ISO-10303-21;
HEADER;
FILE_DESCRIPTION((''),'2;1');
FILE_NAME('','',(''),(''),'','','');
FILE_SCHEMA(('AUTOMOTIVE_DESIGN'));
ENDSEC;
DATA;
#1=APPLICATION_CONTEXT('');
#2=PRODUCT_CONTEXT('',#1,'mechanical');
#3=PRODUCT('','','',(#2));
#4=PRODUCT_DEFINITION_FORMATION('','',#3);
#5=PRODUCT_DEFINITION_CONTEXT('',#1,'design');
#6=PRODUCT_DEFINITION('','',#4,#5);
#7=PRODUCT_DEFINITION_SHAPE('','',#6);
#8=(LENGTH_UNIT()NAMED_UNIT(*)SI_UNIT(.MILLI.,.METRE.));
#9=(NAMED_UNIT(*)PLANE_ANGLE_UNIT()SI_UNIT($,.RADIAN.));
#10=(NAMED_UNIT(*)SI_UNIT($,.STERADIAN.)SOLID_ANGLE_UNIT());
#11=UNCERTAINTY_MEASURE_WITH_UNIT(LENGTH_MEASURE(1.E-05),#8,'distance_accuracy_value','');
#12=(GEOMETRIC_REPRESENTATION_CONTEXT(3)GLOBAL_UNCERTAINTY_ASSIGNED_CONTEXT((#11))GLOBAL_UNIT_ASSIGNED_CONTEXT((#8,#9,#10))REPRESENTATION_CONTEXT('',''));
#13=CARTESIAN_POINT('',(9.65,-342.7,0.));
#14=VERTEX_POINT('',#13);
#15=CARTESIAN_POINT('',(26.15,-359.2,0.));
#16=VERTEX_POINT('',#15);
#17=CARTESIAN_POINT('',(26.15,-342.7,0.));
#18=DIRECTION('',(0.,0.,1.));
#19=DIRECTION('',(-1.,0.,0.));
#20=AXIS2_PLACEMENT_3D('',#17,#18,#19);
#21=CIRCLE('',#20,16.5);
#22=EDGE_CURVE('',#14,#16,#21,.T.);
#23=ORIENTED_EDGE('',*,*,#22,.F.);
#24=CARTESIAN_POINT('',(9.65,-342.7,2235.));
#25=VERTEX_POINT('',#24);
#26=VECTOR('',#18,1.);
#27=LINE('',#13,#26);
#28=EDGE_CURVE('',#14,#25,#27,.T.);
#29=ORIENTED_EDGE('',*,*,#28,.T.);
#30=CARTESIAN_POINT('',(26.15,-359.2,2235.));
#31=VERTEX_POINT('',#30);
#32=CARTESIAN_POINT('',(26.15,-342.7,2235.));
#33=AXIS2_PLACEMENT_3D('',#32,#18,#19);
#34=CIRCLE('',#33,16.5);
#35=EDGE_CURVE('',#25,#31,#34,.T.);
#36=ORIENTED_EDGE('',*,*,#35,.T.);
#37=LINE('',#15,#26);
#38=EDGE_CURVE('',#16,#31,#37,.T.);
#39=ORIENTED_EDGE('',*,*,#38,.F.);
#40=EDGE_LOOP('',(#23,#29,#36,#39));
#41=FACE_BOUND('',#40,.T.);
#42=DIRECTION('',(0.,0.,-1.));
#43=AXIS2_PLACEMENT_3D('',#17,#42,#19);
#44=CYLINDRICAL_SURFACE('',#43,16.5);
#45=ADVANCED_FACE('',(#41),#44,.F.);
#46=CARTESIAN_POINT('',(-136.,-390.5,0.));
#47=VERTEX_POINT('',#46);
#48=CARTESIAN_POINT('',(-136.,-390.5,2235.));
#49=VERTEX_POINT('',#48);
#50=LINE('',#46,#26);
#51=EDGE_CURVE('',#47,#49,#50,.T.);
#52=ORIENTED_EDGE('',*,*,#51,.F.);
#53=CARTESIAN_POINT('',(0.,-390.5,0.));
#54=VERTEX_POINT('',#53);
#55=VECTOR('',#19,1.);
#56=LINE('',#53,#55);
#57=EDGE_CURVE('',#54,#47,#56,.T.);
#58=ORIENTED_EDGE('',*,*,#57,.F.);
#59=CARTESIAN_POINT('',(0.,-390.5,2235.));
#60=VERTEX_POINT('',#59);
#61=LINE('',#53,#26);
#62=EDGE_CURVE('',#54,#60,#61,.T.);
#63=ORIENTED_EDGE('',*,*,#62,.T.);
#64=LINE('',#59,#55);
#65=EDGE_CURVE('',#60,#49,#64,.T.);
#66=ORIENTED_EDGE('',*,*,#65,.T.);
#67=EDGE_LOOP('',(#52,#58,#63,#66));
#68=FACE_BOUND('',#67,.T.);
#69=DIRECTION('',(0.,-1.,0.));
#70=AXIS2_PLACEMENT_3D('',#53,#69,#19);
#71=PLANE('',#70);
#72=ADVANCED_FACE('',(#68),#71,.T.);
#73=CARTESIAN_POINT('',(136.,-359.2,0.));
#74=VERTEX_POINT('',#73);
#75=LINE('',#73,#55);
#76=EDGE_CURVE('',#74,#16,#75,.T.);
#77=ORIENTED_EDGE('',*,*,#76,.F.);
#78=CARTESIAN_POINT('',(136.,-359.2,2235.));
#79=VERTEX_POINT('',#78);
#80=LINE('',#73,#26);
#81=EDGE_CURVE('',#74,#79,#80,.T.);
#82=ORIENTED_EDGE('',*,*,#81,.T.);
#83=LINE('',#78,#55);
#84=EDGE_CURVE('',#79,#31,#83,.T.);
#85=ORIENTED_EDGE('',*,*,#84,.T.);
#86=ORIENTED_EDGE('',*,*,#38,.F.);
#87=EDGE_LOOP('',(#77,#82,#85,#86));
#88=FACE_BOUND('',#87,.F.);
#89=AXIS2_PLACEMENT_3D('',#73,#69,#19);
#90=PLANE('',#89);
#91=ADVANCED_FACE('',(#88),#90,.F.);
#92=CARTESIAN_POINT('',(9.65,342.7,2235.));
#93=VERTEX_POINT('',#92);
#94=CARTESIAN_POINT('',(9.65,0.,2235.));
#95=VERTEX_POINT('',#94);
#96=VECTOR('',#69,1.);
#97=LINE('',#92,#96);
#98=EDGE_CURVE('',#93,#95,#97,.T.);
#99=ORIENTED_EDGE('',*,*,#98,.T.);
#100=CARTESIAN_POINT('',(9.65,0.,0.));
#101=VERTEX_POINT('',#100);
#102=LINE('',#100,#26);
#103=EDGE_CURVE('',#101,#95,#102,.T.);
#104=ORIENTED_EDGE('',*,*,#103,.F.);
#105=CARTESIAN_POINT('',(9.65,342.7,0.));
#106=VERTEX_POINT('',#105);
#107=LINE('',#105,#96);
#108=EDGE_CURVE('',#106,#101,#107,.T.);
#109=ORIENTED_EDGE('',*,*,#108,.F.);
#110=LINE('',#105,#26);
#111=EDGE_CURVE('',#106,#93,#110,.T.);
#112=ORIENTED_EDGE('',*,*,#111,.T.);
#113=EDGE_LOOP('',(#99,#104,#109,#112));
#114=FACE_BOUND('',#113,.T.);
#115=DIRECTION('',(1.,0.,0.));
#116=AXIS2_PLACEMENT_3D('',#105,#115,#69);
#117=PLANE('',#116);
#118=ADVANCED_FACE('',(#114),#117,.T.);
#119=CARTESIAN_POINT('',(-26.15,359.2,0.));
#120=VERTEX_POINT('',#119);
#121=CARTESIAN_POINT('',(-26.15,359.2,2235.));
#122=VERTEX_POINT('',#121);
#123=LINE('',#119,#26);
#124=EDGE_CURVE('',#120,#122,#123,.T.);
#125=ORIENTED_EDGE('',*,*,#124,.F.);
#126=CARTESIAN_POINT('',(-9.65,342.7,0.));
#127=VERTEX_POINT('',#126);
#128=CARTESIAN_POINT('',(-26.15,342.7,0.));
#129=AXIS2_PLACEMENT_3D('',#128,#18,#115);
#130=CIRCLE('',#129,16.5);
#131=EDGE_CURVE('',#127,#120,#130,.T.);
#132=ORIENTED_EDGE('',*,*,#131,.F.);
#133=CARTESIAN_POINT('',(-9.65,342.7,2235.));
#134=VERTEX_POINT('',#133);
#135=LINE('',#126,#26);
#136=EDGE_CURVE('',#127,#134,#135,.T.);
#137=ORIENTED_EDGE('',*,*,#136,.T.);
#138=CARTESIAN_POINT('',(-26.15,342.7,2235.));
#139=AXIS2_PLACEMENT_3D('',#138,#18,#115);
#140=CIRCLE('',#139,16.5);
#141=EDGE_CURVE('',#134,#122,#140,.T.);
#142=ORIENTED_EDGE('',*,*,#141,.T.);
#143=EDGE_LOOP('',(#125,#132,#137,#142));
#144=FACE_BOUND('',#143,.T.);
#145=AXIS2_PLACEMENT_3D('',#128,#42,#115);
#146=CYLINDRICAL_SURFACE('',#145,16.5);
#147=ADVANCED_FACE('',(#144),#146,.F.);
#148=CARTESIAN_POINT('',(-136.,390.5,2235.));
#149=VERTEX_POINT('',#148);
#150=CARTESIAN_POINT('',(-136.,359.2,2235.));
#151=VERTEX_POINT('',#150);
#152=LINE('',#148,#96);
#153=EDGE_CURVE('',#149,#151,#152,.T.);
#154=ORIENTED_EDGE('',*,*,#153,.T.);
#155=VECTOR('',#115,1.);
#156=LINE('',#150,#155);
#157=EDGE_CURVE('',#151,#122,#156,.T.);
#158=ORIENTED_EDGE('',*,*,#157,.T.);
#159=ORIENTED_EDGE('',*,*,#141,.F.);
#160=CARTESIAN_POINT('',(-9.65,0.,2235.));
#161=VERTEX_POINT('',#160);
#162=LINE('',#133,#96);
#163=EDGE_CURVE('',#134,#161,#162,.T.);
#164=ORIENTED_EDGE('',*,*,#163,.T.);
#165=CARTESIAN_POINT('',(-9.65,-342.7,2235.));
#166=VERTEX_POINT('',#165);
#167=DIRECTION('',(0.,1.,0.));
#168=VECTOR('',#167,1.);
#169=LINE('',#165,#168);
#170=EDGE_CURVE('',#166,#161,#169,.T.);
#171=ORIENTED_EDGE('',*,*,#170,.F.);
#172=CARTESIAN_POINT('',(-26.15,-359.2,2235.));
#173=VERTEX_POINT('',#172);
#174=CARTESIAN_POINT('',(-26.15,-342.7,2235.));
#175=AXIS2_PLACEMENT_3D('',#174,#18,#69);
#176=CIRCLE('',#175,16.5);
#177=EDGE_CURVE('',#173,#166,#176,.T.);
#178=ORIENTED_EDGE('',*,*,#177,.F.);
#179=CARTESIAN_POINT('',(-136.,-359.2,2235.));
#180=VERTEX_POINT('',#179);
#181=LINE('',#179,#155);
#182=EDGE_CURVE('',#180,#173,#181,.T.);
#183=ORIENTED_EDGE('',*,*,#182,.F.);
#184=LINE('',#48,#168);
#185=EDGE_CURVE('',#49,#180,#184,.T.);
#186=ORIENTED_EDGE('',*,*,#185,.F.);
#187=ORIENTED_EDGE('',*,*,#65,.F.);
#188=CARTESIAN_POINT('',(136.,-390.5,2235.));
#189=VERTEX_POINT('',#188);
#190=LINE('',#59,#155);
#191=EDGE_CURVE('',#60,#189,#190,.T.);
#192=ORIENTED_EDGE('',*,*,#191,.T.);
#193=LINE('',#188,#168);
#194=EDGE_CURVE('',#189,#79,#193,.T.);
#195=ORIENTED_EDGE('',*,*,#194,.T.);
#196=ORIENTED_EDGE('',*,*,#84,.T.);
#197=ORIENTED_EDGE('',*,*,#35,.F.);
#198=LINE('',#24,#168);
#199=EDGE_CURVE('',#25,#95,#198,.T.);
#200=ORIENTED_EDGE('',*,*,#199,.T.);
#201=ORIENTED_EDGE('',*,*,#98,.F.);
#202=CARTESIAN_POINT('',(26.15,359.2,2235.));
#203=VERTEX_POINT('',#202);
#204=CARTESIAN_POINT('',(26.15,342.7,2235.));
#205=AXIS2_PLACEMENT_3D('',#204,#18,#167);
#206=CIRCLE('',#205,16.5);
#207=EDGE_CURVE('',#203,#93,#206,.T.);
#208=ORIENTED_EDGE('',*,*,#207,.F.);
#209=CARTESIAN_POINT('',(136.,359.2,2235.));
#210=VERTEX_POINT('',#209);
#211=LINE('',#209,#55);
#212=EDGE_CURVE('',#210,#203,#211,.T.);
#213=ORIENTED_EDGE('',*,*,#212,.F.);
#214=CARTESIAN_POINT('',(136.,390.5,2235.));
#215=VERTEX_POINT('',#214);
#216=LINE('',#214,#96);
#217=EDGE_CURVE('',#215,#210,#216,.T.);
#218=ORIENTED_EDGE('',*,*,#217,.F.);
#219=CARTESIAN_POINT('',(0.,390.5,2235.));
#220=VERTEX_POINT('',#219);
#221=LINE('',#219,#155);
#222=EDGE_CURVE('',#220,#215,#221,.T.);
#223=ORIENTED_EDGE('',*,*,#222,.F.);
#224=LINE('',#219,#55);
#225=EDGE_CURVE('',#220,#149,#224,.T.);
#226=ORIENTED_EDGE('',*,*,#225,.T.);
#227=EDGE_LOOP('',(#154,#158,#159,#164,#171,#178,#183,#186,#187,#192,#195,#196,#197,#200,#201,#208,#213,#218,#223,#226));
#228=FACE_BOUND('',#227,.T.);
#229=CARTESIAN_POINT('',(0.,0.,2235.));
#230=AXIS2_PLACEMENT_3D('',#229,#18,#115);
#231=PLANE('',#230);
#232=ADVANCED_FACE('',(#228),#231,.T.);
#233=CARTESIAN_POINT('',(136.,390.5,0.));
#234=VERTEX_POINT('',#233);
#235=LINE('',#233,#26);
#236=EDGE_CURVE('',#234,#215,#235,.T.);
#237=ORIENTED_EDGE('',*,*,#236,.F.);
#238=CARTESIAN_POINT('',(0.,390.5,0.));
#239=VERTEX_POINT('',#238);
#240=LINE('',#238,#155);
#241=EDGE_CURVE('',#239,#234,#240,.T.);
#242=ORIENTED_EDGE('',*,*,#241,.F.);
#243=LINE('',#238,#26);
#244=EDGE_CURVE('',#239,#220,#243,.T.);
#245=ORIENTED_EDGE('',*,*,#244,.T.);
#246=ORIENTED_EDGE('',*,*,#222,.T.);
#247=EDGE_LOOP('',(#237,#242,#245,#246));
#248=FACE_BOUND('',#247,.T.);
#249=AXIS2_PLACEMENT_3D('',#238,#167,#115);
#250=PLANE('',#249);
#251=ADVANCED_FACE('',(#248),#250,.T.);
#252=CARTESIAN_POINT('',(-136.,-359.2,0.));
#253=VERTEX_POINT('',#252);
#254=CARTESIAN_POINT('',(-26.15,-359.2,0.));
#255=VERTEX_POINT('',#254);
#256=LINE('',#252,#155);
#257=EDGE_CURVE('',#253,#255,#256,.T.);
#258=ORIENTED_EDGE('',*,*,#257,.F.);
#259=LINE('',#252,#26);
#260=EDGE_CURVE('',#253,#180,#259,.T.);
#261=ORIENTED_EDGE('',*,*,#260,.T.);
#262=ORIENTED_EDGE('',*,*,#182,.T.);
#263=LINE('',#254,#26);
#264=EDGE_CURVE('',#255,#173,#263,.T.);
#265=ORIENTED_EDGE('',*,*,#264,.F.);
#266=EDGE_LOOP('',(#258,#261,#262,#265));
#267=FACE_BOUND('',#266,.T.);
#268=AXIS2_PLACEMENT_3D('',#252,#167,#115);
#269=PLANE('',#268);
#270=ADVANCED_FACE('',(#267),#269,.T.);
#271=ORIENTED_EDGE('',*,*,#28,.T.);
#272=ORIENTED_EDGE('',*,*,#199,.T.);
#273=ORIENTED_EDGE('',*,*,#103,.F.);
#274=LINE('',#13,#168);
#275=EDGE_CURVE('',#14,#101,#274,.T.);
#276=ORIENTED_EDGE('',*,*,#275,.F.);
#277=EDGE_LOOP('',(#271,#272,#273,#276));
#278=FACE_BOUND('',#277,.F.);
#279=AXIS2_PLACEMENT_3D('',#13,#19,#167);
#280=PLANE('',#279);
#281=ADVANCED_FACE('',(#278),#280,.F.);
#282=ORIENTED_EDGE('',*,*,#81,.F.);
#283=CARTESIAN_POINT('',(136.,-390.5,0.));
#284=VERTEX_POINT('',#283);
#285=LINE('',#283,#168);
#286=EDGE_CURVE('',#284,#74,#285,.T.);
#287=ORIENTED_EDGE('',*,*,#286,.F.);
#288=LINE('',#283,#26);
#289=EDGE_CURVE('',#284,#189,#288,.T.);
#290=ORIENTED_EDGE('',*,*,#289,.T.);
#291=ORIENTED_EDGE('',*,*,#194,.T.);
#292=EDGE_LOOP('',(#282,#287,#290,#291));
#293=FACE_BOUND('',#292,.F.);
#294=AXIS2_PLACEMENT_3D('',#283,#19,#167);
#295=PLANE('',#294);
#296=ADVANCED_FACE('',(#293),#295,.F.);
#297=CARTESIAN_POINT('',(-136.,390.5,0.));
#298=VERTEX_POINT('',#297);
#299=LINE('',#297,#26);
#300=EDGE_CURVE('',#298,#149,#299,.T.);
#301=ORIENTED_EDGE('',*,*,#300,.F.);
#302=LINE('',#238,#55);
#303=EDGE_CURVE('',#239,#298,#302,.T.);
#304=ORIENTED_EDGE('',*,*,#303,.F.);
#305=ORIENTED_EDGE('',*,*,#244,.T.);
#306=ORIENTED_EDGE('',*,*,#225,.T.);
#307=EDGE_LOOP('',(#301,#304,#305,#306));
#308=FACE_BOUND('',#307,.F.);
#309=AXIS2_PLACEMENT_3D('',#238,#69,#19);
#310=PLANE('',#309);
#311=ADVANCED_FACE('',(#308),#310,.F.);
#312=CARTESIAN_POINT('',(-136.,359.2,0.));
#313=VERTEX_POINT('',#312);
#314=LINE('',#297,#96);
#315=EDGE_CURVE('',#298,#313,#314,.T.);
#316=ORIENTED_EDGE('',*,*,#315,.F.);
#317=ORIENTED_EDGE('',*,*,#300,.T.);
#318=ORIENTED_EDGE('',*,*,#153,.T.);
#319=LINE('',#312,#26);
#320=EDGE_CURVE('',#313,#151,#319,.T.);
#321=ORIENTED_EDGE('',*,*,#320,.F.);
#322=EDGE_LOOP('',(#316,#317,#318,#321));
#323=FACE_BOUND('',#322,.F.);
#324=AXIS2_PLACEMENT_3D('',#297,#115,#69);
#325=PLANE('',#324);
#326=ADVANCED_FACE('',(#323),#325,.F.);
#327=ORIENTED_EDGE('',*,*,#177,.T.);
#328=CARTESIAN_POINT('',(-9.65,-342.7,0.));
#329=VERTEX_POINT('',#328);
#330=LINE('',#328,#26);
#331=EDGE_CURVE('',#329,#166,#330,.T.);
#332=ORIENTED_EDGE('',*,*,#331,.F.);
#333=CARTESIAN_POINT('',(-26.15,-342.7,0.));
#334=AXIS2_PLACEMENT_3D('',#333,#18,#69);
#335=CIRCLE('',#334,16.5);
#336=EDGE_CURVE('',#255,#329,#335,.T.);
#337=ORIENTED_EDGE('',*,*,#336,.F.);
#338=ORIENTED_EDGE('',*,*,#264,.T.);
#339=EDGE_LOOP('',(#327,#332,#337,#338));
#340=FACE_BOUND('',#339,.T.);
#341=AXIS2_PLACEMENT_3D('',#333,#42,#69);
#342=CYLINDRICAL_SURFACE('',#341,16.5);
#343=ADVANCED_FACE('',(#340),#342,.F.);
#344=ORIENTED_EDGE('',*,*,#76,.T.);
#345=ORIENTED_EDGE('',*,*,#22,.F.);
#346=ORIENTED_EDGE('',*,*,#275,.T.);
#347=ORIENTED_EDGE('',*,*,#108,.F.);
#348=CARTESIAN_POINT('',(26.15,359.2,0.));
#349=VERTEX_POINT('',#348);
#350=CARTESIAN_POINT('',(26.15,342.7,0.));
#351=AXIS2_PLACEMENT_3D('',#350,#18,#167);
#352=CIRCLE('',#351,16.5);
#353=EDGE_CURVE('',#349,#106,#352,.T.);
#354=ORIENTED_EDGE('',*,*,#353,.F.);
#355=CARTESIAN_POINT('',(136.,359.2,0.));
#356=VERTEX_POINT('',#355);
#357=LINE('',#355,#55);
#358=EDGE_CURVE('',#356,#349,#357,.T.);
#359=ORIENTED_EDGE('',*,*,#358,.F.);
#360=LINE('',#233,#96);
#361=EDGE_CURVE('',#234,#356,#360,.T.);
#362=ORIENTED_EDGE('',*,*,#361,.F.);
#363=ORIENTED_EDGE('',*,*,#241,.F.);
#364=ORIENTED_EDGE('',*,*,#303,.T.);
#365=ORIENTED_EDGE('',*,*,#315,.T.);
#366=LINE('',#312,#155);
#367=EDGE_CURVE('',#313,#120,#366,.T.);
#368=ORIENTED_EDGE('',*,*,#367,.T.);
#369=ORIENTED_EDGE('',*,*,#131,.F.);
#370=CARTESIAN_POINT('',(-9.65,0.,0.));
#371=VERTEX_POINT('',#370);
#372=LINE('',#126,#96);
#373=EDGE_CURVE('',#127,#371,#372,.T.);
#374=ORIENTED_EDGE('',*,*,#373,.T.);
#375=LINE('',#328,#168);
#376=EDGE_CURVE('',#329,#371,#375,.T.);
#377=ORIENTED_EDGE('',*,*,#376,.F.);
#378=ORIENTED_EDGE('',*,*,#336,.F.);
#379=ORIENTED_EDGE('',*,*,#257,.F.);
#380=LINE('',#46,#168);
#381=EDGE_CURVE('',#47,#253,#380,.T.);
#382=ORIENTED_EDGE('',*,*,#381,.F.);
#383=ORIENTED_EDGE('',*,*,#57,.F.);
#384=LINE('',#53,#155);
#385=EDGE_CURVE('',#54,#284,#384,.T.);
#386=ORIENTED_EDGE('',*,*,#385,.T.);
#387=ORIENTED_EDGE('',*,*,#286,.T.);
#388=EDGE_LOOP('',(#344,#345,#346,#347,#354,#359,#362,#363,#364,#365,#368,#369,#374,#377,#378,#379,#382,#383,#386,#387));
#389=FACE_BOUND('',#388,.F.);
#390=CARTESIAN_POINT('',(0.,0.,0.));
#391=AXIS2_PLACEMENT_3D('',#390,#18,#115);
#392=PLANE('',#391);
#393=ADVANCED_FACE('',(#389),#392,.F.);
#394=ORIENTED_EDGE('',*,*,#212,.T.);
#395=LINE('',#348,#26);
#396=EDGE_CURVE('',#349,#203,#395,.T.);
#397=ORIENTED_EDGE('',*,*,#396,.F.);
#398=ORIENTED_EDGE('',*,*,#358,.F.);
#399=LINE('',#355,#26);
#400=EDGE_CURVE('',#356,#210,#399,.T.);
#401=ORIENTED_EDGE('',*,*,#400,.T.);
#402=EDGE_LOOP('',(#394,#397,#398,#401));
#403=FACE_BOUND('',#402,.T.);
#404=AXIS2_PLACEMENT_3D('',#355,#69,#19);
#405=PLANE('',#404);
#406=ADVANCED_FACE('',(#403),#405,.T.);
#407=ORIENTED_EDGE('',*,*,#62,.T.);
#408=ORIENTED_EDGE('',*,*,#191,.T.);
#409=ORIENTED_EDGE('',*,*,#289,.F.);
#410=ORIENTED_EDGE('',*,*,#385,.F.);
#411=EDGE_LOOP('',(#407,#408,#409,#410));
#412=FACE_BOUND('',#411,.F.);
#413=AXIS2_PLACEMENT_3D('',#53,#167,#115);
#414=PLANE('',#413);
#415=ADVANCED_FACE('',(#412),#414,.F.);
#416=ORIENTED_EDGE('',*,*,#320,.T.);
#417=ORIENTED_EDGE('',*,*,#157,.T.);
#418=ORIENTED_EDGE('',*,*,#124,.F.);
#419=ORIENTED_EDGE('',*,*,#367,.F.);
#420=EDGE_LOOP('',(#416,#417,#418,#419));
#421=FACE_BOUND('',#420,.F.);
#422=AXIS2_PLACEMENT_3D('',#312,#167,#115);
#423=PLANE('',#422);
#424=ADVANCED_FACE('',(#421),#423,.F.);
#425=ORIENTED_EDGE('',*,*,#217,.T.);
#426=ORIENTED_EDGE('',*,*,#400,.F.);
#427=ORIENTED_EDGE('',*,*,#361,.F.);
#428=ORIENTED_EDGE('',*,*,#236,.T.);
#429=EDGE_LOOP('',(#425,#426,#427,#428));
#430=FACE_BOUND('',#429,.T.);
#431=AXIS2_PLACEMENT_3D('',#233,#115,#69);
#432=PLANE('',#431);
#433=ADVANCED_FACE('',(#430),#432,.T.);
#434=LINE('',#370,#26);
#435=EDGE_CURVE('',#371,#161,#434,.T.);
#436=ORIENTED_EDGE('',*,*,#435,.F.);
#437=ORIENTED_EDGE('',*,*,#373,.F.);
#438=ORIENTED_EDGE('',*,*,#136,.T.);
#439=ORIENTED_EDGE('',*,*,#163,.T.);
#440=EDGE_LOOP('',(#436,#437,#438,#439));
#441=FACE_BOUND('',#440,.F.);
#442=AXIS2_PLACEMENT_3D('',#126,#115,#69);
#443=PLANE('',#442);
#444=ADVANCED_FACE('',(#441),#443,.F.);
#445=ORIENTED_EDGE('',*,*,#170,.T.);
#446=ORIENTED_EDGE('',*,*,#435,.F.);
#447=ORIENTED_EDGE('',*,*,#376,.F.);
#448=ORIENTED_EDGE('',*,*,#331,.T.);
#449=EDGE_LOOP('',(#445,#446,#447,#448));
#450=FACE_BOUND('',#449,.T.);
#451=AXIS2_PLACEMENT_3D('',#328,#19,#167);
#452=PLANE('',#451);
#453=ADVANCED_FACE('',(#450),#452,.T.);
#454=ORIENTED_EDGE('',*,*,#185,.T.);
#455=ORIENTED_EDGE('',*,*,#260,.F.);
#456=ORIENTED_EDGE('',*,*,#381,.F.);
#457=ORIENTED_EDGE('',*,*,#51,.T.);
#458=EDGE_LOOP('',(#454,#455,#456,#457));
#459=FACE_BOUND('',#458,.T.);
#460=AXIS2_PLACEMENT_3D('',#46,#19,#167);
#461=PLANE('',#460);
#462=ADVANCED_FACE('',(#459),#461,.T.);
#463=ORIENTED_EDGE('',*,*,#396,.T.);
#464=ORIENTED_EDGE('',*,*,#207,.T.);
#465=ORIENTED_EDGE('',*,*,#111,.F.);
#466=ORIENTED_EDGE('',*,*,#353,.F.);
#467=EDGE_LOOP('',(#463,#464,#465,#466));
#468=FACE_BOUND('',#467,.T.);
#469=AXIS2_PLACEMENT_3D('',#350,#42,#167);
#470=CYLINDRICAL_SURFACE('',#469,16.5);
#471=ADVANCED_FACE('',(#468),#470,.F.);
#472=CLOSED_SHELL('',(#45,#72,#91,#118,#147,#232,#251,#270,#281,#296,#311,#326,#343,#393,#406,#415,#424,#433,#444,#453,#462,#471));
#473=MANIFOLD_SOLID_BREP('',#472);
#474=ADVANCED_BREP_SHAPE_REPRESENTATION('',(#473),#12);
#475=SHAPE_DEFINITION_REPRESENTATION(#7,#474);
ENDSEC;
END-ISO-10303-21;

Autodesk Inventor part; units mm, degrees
ref_plane "YZ Plane" through (0, 0, 0) normal (1, 0, 0) x (0, 1, 0)
ref_plane "Start plane" through (0, 0, 0) normal (0, 0, 1) x (1, 0, 0)
ref_plane "End plane" through (0, 0, 2235) normal (0, 0, 1) x (1, 0, 0)
sketch "Sketch" plane through (0, 0, 0) normal (0, 0, 1) x (1, 0, 0)
  line L0 (-136, -390.5) -> (-136, -359.2)
  line L1 (-136, -359.2) -> (-26.15, -359.2)
  line L2 (-9.65, -342.7) -> (-9.65, 0)
  line L3 (-9.65, 0) -> (0, 0) construction
  line L4 (0, 0) -> (0, -390.5) construction
  line L5 (0, -390.5) -> (-136, -390.5)
  line L6 (-60, 0) -> (80, 0) construction
  line L7 (0, -60) -> (0, 80) construction
  line L8 (136, -390.5) -> (136, -359.2)
  line L9 (136, -359.2) -> (26.15, -359.2)
  line L10 (9.65, -342.7) -> (9.65, 0)
  line L11 (9.65, 0) -> (0, 0) construction
  line L12 (0, -390.5) -> (136, -390.5)
  line L13 (-136, 390.5) -> (-136, 359.2)
  line L14 (-136, 359.2) -> (-26.15, 359.2)
  line L15 (-9.65, 342.7) -> (-9.65, 0)
  line L16 (0, 390.5) -> (-136, 390.5)
  line L17 (136, 390.5) -> (136, 359.2)
  line L18 (136, 359.2) -> (26.15, 359.2)
  line L19 (0, 390.5) -> (136, 390.5)
  line L20 (9.65, 342.7) -> (9.65, 0)
  arc A0 (-9.65, 342.7) -> (-26.15, 359.2) centre (-26.15, 342.7) ccw
  arc A1 (26.15, 359.2) -> (9.65, 342.7) centre (26.15, 342.7) ccw
  arc A2 (9.65, -342.7) -> (26.15, -359.2) centre (26.15, -342.7) ccw
  arc A3 (-26.15, -359.2) -> (-9.65, -342.7) centre (-26.15, -342.7) ccw
  line L21 (0, 108) -> (0, -88) construction
  line L22 (-88, 0) -> (108, 0) construction
  point P0 (-9.65, -359.2)
  point P1 (9.65, -359.2)
  point P2 (-9.65, 359.2)
  point P3 (9.65, 359.2)
  dimension "d1" = 390.5
  dimension "d2" = 31.3
  dimension "d3" = 136
  dimension "d4" = 9.65
  dimension "d10" = 16.5
extrude "Body" add sketch "Sketch" along normal up to surface (2235 mm away) from surface at 0
sketch "Sketch4" plane through (0, 0, 0) normal (0, 0, 1) x (1, 0, 0)
  line L0 (0, 0) -> (10, 0)
ref_plane "Work Plane3" through (0, 0, 0) normal (0, -1, 0) x (1, 0, 0)
sketch "Sketch5" plane through (0, 0, 0) normal (0, -1, 0) x (1, 0, 0)
  line L0 (-2, 0) -> (12, 0) projected
  line L1 (-2, 2235) -> (12, 2235) projected
  dimension "d14" = 2235
equation "\"d1\" = 0.5 * G_H"
equation "\"d2\" = G_T1"
equation "\"d3\" = 0.5 * G_W"
equation "\"d4\" = 0.5 * G_T"
equation "\"d10\" = G_IR"
equation "\"d5\" = G_L"
equation "\"G_W\" = 272"
equation "\"G_H\" = 781"
equation "\"G_T\" = 19.3"
equation "\"G_T1\" = 31.3"
equation "\"G_IR\" = 16.5"
equation "\"G_L\" = d14"
equation "\"G_OFFSET_START\" = 0"
equation "\"G_OFFSET_END\" = 0"
equation "\"d12\" = G_OFFSET_END + B_L"
equation "\"B_L\" = 2235"
properties part number "AS 3679-1990 - 760 UB - 244 - 2235" material "Steel, Mild"
